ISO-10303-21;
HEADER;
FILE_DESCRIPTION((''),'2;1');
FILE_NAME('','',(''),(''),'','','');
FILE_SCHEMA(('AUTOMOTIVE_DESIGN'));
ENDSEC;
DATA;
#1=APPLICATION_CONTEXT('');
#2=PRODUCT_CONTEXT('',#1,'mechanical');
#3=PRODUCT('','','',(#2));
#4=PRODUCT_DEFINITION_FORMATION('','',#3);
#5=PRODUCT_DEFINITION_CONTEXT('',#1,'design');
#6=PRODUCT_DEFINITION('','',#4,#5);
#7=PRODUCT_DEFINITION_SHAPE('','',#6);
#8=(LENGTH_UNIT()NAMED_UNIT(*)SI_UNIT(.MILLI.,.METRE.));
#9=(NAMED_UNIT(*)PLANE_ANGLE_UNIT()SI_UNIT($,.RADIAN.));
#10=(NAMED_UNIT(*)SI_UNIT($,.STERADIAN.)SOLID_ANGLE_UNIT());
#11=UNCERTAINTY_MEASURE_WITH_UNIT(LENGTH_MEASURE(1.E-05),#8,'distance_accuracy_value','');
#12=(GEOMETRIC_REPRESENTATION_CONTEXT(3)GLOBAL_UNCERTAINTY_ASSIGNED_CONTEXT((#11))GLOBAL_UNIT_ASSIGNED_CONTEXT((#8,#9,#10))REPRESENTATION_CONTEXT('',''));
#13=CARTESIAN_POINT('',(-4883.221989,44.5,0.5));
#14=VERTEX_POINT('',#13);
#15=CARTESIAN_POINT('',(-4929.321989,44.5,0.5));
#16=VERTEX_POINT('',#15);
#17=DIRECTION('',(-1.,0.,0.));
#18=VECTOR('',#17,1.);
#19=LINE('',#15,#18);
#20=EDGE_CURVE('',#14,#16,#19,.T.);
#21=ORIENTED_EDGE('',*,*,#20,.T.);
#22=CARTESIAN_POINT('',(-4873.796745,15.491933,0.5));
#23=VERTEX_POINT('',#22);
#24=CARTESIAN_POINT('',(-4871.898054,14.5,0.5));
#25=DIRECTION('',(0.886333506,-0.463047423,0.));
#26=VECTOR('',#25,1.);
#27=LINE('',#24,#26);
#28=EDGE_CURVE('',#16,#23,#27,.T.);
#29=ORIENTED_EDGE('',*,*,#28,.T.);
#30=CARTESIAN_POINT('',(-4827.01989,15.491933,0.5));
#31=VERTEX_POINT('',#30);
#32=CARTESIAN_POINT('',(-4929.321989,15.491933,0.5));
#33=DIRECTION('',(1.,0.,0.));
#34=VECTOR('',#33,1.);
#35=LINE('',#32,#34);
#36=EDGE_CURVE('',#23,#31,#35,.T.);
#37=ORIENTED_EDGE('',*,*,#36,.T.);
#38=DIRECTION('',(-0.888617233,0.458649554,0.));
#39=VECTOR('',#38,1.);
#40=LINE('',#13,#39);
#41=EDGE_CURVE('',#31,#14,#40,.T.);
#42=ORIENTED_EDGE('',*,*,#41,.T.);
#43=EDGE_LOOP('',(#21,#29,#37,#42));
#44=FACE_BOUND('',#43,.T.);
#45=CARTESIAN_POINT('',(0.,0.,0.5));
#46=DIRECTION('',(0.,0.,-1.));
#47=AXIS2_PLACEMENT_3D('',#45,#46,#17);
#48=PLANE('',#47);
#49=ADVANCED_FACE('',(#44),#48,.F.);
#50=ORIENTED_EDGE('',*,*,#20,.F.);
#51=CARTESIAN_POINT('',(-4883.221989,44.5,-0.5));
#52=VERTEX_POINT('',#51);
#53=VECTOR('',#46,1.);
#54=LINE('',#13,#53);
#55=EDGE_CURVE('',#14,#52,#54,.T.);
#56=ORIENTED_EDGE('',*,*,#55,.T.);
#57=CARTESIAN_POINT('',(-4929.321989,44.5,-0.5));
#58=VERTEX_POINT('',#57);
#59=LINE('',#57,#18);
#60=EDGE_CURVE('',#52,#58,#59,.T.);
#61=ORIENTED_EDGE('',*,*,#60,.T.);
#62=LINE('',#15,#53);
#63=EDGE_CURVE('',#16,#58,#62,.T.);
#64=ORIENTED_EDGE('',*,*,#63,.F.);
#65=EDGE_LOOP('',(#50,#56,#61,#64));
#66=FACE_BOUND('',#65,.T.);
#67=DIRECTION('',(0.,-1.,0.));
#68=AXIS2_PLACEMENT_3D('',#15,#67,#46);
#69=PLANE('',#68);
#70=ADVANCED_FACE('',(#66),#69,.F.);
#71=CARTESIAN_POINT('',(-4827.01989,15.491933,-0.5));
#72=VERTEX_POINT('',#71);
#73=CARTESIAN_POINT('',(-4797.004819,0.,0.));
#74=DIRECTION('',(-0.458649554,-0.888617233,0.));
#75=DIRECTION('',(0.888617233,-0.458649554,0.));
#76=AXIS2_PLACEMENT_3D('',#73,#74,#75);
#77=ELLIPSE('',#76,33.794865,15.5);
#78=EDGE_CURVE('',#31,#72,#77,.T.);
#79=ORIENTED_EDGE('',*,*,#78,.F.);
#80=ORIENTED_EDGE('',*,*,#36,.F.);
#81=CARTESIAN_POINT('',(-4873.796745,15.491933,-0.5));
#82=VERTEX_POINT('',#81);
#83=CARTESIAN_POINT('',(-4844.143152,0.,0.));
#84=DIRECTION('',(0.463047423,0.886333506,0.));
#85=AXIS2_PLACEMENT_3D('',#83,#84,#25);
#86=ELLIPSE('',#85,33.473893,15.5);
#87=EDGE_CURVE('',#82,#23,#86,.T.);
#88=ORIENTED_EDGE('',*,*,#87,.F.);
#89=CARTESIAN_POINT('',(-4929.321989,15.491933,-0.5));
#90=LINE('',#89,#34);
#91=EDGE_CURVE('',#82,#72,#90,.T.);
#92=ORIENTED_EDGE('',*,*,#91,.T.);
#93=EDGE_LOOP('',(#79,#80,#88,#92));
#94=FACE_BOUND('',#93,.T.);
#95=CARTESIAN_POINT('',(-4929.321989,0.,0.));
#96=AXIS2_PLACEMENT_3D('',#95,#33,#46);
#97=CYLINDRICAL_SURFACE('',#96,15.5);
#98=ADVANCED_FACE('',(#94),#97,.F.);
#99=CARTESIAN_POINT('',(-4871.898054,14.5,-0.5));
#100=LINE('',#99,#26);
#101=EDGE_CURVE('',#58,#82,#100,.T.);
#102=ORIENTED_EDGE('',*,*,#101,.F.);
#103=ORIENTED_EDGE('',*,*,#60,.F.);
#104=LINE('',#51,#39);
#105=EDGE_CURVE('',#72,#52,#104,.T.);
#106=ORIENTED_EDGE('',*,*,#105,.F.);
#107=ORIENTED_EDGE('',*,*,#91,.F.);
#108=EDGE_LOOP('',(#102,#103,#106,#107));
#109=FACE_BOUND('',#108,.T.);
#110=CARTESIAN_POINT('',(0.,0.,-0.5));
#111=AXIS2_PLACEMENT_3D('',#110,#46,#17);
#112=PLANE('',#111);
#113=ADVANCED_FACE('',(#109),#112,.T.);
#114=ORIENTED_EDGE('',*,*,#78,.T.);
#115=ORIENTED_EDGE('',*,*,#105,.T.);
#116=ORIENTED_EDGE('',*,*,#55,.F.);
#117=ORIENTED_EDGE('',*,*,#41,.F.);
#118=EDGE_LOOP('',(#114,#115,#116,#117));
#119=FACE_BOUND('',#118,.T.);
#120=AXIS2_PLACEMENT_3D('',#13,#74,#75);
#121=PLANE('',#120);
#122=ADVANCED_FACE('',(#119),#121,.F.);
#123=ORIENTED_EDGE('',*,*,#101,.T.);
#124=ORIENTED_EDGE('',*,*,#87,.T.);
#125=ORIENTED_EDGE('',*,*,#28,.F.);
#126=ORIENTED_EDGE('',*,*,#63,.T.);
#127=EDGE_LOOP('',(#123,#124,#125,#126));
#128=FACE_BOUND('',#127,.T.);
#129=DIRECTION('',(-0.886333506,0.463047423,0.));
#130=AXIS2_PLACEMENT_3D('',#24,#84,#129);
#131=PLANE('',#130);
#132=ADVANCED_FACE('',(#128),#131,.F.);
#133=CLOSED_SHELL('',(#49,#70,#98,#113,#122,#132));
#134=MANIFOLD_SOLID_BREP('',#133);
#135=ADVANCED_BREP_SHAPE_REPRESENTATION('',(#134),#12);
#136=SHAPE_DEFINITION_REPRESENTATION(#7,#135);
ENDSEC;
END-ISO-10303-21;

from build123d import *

# Parameters (mm, degrees)
BOSS_EXTRUDE1_DEPTH     = 0.5
SKETCH5_R               = 15.5
CUT_EXTRUDE1_DEPTH      = 1
CUT_EXTRUDE1_DEPTH_BACK = 4930.3219891


with BuildPart() as part:
    # Sketch1 → Boss-Extrude1 (new body, symmetric)
    with BuildSketch(Plane.XY):
        Polygon((-4871.89805391, 14.5), (-4929.3219891, 44.5), (-4883.2219891, 44.5), (-4825.09805391, 14.5), align=None)
    extrude(amount=BOSS_EXTRUDE1_DEPTH, both=True)

    # Sketch5 → Cut-Extrude1 (cut, two sides)
    with BuildSketch(Plane(origin=(0, 0, 0), x_dir=(0, 0, -1), z_dir=(1, 0, 0))) as cut_extrude1_sk:
        Circle(SKETCH5_R)
    extrude(amount=CUT_EXTRUDE1_DEPTH, mode=Mode.SUBTRACT)
    extrude(cut_extrude1_sk.sketch, amount=-CUT_EXTRUDE1_DEPTH_BACK, mode=Mode.SUBTRACT)


solid = part.part
